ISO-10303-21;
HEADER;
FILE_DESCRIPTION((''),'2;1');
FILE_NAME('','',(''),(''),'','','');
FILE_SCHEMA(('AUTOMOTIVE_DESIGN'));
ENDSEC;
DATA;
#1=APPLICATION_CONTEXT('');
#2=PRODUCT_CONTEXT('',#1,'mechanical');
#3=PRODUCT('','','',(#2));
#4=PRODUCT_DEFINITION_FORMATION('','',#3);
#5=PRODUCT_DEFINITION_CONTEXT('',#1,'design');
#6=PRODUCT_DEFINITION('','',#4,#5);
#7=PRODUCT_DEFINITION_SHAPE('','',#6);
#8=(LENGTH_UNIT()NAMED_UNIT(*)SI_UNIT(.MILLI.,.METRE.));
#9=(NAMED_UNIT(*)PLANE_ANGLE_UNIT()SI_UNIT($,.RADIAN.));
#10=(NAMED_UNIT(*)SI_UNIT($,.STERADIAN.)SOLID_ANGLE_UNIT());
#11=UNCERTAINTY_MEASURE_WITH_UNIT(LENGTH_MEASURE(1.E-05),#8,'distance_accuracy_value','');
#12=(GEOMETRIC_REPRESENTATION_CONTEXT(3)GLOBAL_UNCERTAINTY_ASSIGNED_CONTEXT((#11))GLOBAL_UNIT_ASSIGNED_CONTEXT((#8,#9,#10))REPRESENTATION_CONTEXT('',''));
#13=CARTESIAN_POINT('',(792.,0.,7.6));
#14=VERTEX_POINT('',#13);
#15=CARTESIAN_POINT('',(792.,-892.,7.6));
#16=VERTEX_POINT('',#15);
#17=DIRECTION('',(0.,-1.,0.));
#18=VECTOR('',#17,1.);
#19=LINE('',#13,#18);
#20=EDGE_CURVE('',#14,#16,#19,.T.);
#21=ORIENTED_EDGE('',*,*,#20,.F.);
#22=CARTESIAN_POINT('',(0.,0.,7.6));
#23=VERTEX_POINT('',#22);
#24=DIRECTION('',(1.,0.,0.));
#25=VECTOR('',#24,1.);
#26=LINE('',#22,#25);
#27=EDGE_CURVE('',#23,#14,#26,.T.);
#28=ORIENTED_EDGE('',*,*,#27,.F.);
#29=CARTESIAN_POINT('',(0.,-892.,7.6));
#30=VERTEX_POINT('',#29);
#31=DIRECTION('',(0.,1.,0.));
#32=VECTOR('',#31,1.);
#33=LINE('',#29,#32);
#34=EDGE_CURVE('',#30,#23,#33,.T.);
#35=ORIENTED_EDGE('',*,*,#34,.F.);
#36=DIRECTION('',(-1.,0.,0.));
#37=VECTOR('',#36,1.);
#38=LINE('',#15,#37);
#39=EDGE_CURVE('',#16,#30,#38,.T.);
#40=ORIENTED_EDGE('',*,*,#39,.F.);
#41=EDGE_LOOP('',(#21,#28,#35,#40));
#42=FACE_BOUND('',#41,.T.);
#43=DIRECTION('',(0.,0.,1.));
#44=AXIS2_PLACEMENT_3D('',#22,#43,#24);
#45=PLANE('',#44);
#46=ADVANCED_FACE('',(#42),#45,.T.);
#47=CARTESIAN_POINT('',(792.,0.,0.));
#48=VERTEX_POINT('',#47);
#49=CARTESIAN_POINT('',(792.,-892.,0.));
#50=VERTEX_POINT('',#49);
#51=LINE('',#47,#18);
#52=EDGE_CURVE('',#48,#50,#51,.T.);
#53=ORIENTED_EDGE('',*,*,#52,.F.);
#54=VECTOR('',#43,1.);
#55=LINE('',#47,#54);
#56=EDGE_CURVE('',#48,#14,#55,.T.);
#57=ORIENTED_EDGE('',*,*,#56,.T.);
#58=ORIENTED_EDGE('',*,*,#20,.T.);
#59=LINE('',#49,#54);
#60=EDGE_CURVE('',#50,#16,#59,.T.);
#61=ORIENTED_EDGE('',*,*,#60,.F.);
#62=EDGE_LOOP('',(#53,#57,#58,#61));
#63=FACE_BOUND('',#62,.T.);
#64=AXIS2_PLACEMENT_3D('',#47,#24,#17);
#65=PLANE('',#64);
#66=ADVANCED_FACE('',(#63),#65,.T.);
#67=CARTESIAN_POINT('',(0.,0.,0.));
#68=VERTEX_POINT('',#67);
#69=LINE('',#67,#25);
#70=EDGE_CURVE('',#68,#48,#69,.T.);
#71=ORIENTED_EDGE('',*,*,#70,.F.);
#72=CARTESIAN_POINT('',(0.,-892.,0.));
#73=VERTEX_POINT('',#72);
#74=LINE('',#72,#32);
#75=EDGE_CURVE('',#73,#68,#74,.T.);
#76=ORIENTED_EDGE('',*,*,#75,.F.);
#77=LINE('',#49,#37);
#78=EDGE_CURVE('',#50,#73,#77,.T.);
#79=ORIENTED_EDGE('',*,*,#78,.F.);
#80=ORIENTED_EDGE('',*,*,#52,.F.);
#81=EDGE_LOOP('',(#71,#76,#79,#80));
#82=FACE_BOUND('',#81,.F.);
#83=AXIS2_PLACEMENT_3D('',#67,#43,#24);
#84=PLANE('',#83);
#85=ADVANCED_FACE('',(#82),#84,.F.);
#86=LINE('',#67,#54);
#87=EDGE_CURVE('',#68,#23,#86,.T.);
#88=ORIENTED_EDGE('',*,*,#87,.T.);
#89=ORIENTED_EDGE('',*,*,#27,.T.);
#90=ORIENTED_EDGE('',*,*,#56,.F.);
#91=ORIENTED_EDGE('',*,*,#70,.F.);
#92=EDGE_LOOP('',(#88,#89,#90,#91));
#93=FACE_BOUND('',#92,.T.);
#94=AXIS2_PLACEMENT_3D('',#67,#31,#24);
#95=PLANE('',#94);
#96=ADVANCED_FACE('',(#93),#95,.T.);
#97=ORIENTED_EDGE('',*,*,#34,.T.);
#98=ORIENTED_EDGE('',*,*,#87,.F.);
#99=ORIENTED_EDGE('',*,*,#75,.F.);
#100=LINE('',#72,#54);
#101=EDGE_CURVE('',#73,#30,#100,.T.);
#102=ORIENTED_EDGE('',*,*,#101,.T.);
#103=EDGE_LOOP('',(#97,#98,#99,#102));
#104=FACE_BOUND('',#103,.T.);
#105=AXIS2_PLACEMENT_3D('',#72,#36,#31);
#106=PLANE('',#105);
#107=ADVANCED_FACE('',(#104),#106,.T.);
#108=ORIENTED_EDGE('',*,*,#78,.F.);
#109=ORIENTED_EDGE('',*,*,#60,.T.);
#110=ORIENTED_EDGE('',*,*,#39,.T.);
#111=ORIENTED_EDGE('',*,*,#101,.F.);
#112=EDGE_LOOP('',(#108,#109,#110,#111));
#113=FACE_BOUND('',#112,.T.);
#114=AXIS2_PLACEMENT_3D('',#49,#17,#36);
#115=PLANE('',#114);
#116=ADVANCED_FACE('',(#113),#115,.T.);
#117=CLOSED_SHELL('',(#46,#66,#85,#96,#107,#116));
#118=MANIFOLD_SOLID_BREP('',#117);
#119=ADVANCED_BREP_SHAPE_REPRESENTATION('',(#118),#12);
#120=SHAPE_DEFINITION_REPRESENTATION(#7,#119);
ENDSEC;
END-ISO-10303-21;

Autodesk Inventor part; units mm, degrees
ref_plane "YZ Plane" through (0, 0, 0) normal (1, 0, 0) x (0, 1, 0)
ref_plane "XZ Plane" through (0, 0, 0) normal (0, 1, 0) x (-1, 0, 0)
ref_plane "XY Plane" through (0, 0, 0) normal (0, 0, 1) x (1, 0, 0)
sketch "草图1" plane through (0, 0, 0) normal (0, 0, 1) x (1, 0, 0)
  line L0 (0, 0) -> (792, 0)
  line L1 (792, 0) -> (792, -892)
  line L2 (792, -892) -> (0, -892)
  line L3 (0, -892) -> (0, 0)
  dimension "d0" = 792
  dimension "d1" = 892
extrude "拉伸1" add sketch "草图1" along normal blind 7.6
properties part number "玻纤板"
